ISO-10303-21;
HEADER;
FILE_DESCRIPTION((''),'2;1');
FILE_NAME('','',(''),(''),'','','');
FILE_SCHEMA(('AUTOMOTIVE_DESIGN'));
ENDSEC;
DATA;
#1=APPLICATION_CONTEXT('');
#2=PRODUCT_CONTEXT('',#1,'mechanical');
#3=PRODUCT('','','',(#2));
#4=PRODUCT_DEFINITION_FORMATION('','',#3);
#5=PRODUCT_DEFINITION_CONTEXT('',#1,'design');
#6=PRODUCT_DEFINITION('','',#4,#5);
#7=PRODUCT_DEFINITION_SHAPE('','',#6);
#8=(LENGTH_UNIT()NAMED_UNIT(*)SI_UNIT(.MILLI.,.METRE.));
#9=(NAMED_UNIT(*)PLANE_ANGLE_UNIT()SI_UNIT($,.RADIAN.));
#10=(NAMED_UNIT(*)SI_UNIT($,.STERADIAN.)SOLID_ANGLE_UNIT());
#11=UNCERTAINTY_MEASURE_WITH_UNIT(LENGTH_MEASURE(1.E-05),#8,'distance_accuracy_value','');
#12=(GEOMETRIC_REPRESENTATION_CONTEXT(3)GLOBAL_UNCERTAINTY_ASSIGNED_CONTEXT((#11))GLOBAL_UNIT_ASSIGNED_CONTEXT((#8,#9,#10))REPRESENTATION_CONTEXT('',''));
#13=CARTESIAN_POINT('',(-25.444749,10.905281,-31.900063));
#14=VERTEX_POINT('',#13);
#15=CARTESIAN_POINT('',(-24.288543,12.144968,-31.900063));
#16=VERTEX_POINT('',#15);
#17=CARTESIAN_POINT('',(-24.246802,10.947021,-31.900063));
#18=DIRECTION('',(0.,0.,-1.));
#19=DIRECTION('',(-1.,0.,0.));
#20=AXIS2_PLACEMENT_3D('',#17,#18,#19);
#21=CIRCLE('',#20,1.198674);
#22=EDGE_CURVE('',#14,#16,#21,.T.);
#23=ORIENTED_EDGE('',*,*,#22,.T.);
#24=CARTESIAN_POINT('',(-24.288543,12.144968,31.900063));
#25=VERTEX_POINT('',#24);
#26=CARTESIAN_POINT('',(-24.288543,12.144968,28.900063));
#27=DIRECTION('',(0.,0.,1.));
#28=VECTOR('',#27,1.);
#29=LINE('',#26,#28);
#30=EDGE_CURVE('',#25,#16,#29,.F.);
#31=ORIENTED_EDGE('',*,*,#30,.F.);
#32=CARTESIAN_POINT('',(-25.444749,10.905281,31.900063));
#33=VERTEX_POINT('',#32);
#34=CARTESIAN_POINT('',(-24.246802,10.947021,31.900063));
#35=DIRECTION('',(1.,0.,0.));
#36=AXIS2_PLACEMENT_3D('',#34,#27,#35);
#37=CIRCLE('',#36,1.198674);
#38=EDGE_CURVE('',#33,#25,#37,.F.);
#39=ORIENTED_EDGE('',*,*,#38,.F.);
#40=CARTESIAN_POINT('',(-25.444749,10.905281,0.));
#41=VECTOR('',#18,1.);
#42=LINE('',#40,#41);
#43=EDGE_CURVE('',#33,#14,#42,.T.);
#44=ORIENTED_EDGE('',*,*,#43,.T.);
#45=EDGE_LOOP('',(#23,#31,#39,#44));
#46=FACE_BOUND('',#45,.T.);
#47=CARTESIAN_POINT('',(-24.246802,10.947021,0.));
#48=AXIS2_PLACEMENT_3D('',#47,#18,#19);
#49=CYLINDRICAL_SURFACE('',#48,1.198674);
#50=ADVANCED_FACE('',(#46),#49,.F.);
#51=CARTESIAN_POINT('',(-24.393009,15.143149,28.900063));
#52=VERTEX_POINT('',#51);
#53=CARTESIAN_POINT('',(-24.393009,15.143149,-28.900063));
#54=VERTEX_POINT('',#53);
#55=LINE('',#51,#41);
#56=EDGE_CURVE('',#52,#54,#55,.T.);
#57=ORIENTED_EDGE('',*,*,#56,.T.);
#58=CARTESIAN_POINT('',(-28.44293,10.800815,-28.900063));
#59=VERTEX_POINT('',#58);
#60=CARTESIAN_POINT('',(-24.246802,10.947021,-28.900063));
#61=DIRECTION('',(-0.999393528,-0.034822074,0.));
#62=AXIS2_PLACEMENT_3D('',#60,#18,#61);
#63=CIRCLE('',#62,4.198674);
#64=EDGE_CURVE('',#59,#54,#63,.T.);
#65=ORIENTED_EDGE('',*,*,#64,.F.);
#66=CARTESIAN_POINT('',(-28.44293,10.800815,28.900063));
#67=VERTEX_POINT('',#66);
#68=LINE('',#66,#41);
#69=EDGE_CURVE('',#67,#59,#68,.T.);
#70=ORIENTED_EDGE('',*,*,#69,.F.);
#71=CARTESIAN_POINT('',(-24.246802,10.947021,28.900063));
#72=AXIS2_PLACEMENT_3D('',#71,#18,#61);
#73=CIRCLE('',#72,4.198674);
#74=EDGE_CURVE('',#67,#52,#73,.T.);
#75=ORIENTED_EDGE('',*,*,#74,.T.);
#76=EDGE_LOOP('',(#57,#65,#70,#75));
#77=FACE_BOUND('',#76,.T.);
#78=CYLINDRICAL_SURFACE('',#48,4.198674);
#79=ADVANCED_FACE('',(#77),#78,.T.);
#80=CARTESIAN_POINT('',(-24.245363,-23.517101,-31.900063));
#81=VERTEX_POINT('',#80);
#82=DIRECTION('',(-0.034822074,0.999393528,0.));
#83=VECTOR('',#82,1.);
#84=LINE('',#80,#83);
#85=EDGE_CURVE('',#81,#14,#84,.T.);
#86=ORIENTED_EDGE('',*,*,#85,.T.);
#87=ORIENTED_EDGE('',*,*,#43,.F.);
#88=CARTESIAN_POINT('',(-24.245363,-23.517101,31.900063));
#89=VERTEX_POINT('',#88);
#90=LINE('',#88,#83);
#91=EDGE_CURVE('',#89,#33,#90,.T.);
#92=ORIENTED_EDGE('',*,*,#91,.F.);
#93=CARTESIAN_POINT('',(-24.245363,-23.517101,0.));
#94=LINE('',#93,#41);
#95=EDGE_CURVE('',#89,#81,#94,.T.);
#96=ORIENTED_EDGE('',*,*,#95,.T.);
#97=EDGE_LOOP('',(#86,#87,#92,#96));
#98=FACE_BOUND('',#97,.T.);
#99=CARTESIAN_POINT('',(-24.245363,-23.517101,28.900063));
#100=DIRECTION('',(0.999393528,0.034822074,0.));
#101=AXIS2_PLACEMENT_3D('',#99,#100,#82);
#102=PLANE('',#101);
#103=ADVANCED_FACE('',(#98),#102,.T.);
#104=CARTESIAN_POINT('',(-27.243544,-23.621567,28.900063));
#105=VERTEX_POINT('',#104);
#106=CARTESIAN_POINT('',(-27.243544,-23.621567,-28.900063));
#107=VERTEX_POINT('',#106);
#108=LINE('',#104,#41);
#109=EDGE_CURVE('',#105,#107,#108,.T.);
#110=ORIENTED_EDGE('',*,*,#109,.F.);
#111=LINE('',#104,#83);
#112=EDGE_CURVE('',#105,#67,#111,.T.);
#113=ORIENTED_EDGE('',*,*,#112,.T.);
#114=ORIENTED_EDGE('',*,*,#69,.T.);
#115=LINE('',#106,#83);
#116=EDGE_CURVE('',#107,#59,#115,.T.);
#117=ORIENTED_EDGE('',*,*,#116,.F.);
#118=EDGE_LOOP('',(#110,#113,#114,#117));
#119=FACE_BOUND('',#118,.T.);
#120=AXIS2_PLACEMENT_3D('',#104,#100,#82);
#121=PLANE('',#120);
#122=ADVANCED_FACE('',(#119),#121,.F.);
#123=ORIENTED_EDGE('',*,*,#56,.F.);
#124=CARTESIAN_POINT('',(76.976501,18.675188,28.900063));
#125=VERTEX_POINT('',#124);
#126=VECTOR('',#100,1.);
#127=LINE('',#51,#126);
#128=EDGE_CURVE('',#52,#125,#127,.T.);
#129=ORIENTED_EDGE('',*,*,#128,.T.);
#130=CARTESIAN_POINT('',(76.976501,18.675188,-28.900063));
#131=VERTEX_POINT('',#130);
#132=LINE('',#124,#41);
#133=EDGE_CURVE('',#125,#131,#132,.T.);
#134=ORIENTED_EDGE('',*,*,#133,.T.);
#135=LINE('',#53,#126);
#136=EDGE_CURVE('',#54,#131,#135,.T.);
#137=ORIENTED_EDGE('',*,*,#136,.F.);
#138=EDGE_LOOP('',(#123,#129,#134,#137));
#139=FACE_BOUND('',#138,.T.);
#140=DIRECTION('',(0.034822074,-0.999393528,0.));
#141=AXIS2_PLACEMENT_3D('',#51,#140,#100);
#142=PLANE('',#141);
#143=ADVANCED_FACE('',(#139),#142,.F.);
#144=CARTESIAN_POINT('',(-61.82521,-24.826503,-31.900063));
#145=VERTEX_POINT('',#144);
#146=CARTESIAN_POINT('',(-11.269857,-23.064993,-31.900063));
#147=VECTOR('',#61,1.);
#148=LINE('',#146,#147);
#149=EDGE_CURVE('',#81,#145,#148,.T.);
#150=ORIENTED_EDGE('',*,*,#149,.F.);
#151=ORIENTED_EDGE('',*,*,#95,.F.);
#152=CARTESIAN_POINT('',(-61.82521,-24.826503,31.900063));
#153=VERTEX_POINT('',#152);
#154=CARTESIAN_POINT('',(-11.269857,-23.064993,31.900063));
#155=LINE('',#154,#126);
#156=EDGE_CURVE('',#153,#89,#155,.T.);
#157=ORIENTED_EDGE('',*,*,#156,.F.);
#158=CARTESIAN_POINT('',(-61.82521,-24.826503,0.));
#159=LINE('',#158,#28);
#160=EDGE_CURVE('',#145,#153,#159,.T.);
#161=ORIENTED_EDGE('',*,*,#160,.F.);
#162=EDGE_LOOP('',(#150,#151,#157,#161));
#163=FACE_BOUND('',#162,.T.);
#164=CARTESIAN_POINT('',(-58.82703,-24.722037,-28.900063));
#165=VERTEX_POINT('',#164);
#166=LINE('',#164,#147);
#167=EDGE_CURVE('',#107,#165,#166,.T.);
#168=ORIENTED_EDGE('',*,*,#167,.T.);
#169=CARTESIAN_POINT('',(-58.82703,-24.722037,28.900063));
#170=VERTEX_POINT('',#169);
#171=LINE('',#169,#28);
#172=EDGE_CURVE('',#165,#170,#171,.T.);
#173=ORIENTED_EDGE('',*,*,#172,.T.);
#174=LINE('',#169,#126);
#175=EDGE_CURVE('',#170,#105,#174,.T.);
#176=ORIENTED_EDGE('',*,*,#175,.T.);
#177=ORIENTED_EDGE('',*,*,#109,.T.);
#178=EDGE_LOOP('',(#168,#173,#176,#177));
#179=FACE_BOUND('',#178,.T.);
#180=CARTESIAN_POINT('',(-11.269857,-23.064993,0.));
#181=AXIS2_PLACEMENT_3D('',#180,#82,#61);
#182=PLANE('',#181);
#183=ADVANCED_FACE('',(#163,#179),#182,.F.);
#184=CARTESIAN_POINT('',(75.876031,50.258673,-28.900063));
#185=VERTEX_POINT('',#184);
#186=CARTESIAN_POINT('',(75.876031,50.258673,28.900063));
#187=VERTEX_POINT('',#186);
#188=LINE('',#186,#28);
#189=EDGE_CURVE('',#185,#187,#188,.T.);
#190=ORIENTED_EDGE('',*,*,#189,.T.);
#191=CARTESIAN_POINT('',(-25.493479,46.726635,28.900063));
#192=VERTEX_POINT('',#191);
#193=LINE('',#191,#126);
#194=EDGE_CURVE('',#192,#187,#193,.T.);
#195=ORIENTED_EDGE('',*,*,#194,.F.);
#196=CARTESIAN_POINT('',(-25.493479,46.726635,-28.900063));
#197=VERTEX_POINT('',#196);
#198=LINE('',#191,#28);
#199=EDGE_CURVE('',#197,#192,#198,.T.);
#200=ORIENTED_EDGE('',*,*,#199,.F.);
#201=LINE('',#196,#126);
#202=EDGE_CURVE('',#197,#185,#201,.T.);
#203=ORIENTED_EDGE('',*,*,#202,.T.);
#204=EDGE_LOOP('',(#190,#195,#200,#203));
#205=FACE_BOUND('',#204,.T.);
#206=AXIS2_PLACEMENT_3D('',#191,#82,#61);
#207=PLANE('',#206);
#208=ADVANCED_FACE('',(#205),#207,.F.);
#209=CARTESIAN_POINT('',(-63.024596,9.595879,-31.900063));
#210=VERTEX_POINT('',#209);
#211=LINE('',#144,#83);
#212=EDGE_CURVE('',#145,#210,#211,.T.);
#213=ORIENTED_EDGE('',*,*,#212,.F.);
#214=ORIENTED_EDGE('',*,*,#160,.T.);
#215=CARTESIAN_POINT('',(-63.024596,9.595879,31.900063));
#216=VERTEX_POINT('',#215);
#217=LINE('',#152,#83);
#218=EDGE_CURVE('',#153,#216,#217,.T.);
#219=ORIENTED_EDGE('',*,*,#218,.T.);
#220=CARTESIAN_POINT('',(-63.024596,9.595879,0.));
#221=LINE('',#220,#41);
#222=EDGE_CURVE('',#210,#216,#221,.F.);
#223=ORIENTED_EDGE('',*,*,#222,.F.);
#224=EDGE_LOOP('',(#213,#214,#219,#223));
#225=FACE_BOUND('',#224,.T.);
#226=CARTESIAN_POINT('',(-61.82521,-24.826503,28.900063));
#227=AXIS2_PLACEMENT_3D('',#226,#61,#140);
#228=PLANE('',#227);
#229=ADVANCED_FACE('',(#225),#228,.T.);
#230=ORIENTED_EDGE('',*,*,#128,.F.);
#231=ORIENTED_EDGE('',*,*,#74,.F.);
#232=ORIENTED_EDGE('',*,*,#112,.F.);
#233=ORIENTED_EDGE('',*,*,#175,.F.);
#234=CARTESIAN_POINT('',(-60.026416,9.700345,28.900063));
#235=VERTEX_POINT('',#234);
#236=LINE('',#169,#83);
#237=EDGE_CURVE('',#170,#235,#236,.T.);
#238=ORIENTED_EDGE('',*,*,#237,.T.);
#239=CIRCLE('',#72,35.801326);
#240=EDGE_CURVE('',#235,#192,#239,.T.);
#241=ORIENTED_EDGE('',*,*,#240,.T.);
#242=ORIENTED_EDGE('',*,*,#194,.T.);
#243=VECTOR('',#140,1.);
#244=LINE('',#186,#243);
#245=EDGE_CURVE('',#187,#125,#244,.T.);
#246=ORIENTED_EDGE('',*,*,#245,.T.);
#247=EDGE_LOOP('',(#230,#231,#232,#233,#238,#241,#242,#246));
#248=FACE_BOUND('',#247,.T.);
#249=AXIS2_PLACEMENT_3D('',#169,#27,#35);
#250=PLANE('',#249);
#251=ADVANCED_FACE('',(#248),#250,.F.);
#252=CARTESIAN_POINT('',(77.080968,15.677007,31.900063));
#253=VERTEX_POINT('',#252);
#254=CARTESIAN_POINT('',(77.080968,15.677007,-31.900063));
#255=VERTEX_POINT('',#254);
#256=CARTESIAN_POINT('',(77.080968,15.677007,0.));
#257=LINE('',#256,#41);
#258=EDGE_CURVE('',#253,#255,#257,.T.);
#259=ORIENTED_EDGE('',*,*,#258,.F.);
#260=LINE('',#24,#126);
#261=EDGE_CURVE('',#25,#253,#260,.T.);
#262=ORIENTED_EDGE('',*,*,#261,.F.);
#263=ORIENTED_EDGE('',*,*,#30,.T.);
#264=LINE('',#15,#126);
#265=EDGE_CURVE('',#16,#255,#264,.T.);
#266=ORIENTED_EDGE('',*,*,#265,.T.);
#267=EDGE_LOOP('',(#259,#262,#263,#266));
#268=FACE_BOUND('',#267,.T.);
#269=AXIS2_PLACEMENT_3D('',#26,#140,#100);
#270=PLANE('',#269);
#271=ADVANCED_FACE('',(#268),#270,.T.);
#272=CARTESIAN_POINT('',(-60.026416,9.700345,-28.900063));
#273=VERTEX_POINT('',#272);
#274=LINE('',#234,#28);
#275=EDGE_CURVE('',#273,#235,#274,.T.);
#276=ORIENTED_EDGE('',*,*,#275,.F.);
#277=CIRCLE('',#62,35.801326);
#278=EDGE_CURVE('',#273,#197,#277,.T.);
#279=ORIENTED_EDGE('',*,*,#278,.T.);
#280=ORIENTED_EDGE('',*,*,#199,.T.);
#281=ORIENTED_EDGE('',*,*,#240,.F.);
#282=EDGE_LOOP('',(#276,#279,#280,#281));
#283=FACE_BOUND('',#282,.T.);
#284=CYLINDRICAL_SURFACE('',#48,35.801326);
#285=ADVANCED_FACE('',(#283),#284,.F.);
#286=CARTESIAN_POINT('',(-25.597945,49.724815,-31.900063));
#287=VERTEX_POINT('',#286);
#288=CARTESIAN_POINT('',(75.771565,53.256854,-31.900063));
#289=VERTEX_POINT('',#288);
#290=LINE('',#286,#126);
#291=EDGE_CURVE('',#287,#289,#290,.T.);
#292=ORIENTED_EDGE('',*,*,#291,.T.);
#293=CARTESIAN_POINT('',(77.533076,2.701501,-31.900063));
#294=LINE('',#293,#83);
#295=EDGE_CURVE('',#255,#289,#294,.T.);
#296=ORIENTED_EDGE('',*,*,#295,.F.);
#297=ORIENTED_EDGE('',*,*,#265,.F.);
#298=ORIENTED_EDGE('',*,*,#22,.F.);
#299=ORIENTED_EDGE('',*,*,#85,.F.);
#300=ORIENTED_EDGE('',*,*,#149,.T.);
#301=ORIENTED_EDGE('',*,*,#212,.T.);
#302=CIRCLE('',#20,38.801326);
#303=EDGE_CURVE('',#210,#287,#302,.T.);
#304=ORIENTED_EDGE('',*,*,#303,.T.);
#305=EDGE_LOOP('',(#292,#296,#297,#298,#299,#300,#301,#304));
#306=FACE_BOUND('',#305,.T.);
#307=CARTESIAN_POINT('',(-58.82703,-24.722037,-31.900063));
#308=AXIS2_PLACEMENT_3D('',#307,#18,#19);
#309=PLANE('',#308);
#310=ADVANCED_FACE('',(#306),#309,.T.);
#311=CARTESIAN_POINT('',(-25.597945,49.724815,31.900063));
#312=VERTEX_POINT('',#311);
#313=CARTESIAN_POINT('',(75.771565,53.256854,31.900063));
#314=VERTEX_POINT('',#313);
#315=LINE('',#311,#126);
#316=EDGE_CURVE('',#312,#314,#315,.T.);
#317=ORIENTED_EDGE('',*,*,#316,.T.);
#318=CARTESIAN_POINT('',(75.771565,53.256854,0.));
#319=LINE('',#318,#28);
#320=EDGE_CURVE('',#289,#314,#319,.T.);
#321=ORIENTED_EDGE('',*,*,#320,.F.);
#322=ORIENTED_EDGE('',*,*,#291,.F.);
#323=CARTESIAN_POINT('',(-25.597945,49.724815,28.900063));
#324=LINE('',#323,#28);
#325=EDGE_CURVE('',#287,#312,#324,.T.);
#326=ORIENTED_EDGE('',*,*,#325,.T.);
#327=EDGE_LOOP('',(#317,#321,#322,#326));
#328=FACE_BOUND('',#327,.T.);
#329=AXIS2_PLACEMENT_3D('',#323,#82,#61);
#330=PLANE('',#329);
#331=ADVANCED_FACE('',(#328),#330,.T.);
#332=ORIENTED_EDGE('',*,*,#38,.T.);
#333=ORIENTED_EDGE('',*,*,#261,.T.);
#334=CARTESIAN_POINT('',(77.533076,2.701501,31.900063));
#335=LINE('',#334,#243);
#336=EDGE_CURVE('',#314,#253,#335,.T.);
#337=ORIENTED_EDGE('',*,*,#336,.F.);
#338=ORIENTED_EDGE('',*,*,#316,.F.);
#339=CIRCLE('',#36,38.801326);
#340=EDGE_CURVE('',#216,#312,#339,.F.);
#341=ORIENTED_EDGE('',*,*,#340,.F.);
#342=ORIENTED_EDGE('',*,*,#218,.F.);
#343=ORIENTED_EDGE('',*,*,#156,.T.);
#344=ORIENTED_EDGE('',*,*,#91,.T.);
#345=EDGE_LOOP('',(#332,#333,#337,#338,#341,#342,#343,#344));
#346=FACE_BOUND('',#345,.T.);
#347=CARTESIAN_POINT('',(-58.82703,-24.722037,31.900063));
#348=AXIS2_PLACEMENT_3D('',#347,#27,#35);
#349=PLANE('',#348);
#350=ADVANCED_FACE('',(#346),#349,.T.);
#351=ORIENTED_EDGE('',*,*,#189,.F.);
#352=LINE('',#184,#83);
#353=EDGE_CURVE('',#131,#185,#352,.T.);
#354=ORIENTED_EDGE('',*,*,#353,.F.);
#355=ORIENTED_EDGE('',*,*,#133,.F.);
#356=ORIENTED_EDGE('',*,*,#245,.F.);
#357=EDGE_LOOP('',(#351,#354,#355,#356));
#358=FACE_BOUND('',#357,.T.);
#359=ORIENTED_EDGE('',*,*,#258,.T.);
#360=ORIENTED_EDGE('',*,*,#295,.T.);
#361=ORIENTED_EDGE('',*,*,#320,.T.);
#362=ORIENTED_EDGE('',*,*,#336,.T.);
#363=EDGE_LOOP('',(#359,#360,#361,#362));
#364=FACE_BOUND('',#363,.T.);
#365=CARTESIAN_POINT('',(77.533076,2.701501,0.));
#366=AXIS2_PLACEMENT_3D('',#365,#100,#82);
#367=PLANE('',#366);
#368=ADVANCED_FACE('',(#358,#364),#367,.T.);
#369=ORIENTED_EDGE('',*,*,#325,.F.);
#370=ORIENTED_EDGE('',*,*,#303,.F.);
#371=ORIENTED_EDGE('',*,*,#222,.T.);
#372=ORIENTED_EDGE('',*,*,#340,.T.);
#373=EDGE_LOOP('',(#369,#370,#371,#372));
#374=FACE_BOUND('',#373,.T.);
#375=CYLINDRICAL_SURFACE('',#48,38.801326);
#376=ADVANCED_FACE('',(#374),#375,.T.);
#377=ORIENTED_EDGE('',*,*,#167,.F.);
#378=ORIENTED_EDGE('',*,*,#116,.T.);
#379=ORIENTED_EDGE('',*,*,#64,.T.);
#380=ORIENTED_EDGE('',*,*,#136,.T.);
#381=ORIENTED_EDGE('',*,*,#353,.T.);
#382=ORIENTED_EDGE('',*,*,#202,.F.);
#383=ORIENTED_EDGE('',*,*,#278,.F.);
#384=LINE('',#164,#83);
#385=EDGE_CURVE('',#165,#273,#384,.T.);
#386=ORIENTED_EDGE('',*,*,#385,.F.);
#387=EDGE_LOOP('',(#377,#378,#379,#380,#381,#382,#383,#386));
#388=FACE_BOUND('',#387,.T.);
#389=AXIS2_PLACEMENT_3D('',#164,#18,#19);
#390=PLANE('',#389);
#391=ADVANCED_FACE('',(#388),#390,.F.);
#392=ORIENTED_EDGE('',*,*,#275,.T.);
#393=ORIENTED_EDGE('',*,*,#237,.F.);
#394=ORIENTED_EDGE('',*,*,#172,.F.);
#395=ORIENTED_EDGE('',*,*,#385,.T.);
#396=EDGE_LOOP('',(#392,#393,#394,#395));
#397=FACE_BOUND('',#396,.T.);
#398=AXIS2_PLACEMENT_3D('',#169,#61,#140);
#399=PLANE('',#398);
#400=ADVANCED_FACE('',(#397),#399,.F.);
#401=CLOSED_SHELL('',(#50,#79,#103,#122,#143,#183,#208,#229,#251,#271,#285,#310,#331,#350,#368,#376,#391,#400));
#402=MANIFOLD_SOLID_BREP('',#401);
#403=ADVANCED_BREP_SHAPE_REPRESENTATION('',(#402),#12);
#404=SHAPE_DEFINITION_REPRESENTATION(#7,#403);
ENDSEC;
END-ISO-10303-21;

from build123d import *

# Parameters (mm, degrees)
SKETCH2_W   = 63.80012688
SKETCH2_H   = 37.602651942
SKETCH2_W_2 = 57.80012688
SKETCH2_H_2 = 31.602651942


with BuildPart() as part:
    # Sweep-Thin1: sweep along a path in Sketch1
    with BuildLine(Plane.XY) as sweep_thin1_path:
        Line((-43.035286794, -24.171802054), (-44.234672924, 10.250579859))
        ThreePointArc((-44.234672924, 10.250579859), (-38.872819675, 24.588121657), (-24.943243853, 30.934891896))
        Line((-24.943243853, 30.934891896), (76.426266413, 34.466930581))
    # Sketch2 → Sweep-Thin1 (sweep)
    with BuildSketch(Plane(origin=(76.426266413, 34.466930581, 0), x_dir=(0, 0, -1), z_dir=(0.999393527672129, 0.034822074134917426, 0))):
        Rectangle(SKETCH2_W, SKETCH2_H)
        Rectangle(SKETCH2_W_2, SKETCH2_H_2, mode=Mode.SUBTRACT)
    sweep(path=sweep_thin1_path.line)


solid = part.part
